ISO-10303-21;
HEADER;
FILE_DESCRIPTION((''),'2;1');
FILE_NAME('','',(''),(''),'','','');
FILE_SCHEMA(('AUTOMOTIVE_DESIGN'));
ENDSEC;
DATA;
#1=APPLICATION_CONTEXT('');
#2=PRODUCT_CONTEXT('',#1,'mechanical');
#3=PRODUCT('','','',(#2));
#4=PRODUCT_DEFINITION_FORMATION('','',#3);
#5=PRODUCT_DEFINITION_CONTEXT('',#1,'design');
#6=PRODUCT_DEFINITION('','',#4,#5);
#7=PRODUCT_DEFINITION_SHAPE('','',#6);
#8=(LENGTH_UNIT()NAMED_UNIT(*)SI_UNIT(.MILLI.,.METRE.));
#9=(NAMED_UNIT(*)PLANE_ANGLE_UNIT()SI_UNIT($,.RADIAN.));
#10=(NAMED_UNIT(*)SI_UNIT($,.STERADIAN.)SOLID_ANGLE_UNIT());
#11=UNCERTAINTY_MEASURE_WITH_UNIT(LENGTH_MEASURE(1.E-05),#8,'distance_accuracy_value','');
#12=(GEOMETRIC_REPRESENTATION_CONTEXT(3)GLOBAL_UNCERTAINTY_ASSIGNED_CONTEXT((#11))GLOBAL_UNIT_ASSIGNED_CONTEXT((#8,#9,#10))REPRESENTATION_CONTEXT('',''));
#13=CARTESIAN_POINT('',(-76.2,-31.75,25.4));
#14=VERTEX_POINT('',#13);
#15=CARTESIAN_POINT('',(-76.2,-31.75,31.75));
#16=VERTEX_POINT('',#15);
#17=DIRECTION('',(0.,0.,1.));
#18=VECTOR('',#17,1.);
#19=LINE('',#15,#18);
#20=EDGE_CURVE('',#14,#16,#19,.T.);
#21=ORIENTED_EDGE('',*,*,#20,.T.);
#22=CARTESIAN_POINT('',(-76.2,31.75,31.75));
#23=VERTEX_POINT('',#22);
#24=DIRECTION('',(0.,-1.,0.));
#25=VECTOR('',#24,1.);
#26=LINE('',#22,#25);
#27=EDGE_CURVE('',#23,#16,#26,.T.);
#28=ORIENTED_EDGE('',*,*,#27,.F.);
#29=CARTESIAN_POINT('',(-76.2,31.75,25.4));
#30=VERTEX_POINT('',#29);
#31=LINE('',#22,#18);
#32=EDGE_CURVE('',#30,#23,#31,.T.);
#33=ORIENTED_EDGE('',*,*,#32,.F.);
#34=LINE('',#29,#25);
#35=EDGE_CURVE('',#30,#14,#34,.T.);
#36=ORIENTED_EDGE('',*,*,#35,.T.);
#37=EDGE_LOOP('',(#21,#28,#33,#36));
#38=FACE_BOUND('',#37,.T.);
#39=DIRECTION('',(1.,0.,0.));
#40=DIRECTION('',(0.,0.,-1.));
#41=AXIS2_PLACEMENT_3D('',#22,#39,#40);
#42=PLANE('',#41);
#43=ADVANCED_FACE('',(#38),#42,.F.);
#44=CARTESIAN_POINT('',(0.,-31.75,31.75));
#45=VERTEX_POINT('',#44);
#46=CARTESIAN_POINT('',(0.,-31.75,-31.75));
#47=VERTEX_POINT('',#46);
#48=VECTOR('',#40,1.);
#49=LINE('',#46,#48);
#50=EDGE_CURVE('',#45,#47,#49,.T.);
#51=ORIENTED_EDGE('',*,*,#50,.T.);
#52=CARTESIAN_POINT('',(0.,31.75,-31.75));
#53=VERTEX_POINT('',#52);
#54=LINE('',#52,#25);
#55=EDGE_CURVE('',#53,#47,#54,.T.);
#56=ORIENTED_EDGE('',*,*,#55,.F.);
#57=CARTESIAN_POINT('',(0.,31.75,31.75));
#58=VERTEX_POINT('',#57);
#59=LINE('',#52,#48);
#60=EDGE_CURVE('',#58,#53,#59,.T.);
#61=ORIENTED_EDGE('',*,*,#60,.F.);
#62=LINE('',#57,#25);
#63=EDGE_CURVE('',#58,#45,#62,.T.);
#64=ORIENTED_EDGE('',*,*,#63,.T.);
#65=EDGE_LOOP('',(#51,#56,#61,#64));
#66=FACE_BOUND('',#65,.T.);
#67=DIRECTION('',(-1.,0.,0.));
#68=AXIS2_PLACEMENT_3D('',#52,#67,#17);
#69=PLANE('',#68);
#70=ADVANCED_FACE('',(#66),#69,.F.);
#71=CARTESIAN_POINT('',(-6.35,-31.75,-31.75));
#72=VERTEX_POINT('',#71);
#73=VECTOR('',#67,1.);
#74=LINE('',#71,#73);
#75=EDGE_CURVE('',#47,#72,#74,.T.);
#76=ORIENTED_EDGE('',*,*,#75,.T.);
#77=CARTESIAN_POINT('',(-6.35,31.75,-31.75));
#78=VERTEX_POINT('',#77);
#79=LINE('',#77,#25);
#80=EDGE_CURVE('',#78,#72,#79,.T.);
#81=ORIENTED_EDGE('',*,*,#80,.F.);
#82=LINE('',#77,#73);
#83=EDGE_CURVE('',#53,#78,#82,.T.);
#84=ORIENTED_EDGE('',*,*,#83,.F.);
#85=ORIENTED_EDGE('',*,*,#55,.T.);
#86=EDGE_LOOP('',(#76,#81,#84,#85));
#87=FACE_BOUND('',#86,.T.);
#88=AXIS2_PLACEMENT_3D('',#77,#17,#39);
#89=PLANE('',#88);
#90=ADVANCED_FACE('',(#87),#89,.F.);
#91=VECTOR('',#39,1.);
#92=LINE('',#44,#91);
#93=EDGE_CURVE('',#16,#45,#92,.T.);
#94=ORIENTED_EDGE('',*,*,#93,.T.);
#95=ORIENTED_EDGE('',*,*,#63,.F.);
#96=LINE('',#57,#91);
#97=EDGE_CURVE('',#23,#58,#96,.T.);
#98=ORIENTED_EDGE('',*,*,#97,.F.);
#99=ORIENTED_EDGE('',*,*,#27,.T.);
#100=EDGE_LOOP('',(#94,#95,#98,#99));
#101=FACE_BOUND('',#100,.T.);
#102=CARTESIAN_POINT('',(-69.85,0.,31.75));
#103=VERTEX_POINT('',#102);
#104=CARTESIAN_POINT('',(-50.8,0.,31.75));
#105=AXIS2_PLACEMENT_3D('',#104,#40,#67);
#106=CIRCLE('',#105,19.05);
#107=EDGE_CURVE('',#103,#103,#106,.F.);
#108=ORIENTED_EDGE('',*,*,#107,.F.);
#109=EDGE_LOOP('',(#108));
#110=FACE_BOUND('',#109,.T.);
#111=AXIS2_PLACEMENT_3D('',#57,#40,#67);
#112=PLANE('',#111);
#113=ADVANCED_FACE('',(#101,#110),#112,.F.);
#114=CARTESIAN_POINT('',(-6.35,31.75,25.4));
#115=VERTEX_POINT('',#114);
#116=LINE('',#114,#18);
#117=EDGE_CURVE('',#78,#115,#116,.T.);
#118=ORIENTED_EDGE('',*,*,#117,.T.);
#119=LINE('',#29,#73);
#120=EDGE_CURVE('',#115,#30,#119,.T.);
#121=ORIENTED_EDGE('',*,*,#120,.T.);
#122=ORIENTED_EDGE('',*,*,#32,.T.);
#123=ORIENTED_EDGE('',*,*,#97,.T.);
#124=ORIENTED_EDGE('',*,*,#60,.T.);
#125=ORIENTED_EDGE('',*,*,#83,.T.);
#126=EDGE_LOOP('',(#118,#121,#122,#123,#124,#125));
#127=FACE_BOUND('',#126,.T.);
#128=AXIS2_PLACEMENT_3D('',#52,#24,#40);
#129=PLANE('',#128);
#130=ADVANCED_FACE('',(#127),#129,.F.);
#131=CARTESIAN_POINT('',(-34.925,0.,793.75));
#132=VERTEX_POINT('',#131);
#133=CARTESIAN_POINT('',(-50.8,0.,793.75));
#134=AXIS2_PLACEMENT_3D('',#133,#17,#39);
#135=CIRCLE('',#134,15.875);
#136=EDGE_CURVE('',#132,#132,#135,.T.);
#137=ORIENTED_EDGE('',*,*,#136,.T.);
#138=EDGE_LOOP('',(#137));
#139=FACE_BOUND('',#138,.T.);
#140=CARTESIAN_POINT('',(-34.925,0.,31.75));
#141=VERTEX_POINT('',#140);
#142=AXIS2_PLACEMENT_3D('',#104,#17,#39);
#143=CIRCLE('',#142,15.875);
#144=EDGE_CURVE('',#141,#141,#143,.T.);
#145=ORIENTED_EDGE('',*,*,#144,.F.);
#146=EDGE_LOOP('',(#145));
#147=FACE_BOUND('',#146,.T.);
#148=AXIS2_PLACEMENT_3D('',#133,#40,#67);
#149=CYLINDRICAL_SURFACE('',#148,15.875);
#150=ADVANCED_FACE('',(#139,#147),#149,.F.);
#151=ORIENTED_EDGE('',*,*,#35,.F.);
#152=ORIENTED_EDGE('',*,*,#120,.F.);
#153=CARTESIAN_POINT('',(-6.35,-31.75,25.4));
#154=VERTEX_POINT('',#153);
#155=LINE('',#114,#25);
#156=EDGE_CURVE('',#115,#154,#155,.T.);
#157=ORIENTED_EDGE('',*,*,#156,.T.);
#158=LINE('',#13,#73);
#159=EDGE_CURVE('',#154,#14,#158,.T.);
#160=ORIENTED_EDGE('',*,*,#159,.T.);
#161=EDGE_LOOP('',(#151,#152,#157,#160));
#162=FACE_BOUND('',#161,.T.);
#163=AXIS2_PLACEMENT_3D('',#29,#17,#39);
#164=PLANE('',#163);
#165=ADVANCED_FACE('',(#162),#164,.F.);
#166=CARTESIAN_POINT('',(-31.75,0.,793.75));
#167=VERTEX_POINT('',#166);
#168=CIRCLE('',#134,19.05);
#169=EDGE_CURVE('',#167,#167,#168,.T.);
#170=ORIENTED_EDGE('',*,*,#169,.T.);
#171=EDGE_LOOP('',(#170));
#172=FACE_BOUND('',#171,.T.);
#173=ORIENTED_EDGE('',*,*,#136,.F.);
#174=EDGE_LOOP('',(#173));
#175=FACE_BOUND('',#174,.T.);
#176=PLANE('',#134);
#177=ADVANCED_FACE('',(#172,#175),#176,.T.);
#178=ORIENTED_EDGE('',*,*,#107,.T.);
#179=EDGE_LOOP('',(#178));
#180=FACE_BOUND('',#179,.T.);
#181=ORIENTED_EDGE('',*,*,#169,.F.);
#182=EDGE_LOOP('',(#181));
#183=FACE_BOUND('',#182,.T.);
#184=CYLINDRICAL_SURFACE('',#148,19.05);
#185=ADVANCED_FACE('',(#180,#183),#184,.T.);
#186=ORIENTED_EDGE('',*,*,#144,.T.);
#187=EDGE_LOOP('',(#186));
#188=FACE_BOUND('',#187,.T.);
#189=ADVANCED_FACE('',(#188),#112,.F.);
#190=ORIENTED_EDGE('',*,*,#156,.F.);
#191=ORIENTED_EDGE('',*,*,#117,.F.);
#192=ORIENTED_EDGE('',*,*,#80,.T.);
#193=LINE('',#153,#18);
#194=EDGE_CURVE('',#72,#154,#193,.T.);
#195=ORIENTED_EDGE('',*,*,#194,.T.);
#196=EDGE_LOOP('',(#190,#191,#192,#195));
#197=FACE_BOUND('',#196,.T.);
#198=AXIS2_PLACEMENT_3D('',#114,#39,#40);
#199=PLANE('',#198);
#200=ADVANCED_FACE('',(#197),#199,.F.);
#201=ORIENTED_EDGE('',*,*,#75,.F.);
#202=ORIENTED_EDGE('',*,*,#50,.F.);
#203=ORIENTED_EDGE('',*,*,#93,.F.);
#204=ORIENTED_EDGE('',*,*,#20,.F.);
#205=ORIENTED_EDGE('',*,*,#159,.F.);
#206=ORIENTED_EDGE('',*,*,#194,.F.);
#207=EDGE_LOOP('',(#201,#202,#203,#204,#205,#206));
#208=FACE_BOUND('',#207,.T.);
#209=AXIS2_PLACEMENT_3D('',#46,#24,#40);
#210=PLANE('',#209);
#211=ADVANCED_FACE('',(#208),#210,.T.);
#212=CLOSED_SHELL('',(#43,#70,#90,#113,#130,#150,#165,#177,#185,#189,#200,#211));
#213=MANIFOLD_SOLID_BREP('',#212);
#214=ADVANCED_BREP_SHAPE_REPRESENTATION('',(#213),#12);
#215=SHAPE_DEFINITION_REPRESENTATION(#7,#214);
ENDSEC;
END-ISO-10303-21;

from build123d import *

# Parameters (mm, degrees)
BOSS_EXTRUDE1_DEPTH = 31.75
SKETCH2_R           = 19.05
SKETCH2_R_2         = 15.875
BOSS_EXTRUDE2_DEPTH = 762


with BuildPart() as part:
    # Sketch1 → Boss-Extrude1 (new body, symmetric)
    with BuildSketch(Plane(origin=(0, 0, 0), x_dir=(1, 0, 0), z_dir=(0, 1, 0))):
        Polygon((0, 31.75), (0, -31.75), (-76.2, -31.75), (-76.2, -25.4), (-6.35, -25.4), (-6.35, 31.75), align=None)
    extrude(amount=BOSS_EXTRUDE1_DEPTH, both=True)

    # Sketch2 → Boss-Extrude2 (add)
    with BuildSketch(Plane.XY.offset(31.75)):
        with Locations((-50.8, 0)):
            Circle(SKETCH2_R)
        with Locations((-50.8, 0)):
            Circle(SKETCH2_R_2, mode=Mode.SUBTRACT)
    extrude(amount=BOSS_EXTRUDE2_DEPTH)


solid = part.part
